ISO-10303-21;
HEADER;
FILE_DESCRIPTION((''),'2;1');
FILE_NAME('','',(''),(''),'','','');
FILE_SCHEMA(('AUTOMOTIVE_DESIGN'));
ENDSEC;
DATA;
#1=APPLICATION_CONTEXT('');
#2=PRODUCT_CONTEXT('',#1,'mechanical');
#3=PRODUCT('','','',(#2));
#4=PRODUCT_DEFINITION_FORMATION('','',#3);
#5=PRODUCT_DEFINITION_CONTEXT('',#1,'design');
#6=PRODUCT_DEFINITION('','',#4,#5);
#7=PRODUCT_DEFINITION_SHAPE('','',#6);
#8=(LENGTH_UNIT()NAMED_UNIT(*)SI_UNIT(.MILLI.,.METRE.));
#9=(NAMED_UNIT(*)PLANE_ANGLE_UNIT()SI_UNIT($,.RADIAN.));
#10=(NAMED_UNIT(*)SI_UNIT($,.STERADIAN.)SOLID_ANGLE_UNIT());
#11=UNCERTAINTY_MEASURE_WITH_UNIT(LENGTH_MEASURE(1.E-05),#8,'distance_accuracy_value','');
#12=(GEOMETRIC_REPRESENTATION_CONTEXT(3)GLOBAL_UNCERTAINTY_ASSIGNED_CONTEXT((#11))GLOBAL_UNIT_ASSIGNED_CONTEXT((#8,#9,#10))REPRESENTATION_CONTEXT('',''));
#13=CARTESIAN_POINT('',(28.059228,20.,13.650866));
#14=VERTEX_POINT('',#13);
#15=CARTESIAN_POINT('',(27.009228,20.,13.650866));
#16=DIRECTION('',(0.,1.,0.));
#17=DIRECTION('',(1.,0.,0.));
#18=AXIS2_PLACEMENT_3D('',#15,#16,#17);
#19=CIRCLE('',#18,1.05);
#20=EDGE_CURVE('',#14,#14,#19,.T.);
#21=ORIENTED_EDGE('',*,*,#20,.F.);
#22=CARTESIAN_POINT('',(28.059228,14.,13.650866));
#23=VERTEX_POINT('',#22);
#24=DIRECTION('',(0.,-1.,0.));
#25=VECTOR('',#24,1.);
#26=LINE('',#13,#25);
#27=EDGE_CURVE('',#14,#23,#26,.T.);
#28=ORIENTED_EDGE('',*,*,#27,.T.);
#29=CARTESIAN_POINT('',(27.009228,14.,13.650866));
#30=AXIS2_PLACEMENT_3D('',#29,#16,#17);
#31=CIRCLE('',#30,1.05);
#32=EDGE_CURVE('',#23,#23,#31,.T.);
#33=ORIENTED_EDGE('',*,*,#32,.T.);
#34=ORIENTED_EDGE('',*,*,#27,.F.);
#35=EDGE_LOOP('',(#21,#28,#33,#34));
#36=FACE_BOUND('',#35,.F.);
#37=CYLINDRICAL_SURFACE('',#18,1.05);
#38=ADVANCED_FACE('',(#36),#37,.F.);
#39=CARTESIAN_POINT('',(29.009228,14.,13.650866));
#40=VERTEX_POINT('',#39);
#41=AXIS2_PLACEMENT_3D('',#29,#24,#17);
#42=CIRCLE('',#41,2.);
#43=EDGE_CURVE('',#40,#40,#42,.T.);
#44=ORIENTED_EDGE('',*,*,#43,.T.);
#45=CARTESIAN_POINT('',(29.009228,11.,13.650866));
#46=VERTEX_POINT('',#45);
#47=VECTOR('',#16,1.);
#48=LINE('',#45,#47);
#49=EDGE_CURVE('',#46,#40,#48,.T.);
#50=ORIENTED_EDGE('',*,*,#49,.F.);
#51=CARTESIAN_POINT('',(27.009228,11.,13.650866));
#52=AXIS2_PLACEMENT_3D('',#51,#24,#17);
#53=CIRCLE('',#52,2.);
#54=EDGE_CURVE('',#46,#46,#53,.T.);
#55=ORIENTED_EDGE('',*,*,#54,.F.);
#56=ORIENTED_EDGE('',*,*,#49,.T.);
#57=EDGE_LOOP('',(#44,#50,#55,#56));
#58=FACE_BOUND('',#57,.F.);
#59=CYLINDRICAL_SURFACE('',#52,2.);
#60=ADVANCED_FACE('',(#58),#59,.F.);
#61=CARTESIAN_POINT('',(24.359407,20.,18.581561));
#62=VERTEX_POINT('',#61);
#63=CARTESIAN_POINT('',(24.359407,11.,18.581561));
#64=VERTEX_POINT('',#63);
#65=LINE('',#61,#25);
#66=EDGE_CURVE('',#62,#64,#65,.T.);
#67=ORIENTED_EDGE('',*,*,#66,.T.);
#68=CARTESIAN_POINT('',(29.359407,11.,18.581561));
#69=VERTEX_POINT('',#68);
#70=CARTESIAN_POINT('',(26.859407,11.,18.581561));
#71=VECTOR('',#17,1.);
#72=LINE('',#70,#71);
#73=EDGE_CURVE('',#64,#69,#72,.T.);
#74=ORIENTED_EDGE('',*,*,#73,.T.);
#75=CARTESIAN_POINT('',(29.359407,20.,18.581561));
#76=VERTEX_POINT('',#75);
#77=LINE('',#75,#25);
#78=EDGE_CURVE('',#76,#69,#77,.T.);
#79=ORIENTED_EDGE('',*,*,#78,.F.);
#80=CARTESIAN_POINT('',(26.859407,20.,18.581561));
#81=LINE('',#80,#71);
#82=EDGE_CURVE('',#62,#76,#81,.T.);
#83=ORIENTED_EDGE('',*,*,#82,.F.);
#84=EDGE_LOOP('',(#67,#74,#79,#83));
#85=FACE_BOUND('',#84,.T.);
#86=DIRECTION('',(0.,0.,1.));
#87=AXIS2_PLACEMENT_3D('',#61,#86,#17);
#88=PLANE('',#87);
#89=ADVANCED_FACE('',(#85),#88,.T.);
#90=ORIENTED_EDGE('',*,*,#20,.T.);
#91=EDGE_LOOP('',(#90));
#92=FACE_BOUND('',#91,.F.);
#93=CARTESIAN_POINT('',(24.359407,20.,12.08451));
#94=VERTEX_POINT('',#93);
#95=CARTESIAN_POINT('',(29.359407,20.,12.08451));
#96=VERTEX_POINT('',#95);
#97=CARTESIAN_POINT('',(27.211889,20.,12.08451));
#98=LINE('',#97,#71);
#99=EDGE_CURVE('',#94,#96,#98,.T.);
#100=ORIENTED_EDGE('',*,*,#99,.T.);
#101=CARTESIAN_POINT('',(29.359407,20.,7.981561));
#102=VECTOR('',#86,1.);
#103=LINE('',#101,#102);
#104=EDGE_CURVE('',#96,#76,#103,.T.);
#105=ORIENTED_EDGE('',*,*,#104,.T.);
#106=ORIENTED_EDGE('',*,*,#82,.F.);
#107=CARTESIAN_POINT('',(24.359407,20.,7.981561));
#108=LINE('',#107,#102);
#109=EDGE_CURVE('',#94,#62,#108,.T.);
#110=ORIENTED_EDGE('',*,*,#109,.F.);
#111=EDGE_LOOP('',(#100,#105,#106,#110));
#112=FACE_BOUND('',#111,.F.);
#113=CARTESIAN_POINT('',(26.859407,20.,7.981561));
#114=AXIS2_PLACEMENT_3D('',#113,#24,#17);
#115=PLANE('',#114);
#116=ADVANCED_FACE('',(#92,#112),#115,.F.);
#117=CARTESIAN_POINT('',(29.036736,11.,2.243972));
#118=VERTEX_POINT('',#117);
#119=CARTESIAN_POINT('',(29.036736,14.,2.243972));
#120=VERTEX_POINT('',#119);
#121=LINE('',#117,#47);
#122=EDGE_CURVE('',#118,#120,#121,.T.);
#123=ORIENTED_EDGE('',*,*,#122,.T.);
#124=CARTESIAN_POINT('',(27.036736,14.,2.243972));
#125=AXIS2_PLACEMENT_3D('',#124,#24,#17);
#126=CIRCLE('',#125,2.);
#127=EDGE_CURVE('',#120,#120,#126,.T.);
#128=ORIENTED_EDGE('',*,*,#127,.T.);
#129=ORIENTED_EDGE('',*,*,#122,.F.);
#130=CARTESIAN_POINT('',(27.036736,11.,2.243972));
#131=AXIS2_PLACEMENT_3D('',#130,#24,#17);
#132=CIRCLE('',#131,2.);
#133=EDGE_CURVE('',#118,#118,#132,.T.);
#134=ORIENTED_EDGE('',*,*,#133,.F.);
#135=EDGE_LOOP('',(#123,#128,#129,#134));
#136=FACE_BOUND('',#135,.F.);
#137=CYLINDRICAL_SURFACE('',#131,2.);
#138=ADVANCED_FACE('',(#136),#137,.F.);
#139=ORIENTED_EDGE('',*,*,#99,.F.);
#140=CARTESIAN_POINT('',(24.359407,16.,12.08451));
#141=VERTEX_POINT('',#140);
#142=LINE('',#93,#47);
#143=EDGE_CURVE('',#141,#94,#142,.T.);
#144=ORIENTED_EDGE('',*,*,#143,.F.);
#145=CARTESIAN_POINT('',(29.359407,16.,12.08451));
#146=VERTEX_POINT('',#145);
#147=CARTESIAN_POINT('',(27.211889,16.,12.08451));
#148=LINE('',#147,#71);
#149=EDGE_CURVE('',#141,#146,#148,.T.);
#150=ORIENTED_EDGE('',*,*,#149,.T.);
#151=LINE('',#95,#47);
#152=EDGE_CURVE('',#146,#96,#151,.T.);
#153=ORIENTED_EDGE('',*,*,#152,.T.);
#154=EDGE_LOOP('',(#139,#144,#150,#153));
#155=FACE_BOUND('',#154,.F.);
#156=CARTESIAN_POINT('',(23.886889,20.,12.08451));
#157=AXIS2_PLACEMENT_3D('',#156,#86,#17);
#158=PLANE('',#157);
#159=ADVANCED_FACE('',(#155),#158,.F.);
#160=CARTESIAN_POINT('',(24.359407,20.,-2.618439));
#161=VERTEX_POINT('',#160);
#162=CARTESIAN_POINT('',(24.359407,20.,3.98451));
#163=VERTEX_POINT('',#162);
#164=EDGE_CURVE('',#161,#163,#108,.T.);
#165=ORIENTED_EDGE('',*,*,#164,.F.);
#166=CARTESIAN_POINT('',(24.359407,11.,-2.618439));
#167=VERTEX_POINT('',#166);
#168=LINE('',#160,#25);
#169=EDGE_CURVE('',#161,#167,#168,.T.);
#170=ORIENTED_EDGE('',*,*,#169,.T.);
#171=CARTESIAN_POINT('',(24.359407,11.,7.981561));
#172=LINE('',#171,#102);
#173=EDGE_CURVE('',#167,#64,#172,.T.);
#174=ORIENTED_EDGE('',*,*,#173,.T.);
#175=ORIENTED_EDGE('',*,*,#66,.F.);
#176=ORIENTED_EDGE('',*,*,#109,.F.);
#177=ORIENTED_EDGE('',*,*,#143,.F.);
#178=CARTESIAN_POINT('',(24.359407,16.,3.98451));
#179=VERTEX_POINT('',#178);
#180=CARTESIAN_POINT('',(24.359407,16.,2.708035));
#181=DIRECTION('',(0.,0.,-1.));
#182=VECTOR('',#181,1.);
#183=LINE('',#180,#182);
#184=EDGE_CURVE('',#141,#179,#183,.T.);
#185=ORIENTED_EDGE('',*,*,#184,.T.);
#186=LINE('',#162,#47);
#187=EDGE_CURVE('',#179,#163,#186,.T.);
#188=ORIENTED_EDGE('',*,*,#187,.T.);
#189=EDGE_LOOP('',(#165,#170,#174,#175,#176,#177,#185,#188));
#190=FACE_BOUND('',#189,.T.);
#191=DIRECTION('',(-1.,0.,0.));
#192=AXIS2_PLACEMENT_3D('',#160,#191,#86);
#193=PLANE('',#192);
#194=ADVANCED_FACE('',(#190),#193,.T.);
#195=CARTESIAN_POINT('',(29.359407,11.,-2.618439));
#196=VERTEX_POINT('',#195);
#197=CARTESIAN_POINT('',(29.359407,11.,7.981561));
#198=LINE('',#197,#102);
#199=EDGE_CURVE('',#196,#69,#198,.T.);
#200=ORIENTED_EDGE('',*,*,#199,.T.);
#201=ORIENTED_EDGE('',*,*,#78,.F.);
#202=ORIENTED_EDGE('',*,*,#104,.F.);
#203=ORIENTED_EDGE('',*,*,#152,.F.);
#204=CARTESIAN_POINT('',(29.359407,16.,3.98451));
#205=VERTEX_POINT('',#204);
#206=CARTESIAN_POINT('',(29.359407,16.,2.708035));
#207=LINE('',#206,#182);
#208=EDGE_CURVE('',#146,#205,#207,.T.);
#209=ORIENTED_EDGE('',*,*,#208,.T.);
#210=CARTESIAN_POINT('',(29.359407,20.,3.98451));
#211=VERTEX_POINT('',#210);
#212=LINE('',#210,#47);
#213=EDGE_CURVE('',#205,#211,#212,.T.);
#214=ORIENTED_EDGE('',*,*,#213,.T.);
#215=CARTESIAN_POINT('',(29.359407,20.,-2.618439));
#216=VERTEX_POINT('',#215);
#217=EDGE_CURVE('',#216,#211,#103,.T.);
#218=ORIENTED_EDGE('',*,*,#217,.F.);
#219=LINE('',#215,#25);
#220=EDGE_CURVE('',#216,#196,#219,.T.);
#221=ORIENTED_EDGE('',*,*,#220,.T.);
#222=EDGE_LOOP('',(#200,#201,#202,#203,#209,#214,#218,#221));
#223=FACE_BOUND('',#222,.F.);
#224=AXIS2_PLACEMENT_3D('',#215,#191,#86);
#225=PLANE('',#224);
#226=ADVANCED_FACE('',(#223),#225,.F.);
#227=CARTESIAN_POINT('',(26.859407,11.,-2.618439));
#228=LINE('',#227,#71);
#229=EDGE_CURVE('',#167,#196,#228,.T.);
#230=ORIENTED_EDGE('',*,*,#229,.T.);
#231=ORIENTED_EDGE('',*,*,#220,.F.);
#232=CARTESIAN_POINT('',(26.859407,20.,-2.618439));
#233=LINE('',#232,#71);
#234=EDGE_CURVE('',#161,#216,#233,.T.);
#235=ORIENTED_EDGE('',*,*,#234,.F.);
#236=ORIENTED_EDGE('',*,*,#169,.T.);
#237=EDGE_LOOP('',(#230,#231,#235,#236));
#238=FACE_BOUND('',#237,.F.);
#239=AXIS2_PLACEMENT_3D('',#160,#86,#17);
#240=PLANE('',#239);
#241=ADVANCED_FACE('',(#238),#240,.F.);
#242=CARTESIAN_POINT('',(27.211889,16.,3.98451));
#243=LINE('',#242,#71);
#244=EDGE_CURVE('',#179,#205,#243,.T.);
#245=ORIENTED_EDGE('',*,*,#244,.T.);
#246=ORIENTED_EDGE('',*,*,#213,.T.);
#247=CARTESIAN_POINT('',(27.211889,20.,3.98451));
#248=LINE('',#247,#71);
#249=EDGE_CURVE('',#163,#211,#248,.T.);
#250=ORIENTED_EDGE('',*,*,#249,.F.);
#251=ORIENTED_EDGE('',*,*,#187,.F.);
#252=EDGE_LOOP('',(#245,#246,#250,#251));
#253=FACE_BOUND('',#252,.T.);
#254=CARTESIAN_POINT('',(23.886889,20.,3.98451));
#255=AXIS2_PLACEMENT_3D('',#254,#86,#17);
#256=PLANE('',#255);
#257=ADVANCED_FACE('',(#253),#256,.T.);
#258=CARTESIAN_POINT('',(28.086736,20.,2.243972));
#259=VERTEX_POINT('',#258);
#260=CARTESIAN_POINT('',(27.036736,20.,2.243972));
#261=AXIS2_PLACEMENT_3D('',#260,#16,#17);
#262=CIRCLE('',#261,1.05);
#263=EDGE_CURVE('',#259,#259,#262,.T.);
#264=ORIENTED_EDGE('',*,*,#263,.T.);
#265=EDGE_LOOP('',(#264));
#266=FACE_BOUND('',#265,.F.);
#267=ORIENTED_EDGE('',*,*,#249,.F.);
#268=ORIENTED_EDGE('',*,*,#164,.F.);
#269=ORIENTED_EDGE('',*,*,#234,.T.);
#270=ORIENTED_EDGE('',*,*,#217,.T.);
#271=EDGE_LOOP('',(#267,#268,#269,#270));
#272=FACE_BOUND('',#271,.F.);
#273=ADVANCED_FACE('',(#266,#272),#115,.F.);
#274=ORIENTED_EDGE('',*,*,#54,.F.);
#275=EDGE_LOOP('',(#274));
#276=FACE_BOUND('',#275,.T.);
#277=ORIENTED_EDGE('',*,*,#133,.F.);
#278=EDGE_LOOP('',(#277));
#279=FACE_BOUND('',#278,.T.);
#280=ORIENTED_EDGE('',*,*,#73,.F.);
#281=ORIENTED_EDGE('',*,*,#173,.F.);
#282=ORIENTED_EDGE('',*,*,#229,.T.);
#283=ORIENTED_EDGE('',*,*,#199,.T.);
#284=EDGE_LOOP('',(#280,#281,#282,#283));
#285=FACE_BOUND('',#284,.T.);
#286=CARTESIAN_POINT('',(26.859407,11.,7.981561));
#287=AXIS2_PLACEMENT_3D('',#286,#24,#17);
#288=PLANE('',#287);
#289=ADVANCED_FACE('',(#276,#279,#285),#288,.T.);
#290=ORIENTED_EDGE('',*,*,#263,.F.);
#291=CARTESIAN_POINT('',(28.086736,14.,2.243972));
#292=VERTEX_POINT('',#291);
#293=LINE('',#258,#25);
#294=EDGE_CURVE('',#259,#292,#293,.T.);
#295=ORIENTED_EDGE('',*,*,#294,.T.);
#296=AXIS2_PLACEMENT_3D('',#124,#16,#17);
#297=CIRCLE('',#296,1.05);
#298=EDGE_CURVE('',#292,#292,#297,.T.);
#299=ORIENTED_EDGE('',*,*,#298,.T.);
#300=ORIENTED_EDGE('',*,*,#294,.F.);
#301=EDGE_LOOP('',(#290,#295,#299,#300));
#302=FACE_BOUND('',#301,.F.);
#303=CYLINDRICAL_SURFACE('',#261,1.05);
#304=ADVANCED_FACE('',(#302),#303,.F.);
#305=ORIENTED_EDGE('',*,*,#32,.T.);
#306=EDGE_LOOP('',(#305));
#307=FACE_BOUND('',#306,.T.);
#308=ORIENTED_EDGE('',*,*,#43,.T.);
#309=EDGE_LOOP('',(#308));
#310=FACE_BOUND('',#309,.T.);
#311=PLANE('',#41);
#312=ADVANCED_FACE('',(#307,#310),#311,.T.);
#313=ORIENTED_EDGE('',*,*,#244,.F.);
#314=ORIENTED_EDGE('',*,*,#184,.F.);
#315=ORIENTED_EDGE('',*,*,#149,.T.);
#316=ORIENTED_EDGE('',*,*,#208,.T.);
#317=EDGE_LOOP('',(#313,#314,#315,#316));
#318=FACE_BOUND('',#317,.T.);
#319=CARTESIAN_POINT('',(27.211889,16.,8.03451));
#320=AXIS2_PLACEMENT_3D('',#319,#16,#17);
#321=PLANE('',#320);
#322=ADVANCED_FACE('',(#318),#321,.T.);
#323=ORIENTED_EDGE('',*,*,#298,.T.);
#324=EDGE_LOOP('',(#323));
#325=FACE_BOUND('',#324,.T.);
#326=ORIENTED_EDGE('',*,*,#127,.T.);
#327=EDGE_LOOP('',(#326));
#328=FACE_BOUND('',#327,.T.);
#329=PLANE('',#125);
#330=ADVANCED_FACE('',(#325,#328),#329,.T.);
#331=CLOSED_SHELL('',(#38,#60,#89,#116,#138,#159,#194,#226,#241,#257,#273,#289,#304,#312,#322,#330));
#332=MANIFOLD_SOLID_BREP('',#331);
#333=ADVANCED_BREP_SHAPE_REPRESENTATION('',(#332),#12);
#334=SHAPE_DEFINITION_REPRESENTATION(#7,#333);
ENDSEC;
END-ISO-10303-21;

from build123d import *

# Parameters (mm, degrees)
SKETCH020_W     = 5
SKETCH020_H     = 21.2
PAD010_DEPTH    = 9
SKETCH023_W     = 6.65
SKETCH023_H     = 8.1
POCKET011_DEPTH = 4
SKETCH024_R     = 1.05
POCKET012_DEPTH = 10
SKETCH025_R     = 2
POCKET013_DEPTH = 3


with BuildPart() as part:
    # Sketch020 → Pad010 (new body)
    with BuildSketch(Plane.XZ):
        with Locations((26.859407, 7.981561)):
            Rectangle(SKETCH020_W, SKETCH020_H)
    extrude(amount=PAD010_DEPTH)

    # Sketch023 (on Face5 of Pad010) → Pocket011 (cut)
    with BuildSketch(Plane(origin=(0, 0, 0), x_dir=(1, 0, 0), z_dir=(0, 1, 0))):
        with Locations((27.211889, -8.03451)):
            Rectangle(SKETCH023_W, SKETCH023_H)
    extrude(amount=-POCKET011_DEPTH, mode=Mode.SUBTRACT)

    # Sketch024 (on Face2 of Pocket011) → Pocket012 (cut)
    with BuildSketch(Plane(origin=(0, 0, 0), x_dir=(1, 0, 0), z_dir=(0, 1, 0))):
        with Locations((27.009228, -13.650866)):
            Circle(SKETCH024_R)
        with Locations((27.036736, -2.243972)):
            Circle(SKETCH024_R)
    extrude(amount=-POCKET012_DEPTH, mode=Mode.SUBTRACT)

    # Sketch025 (on Face8 of Pocket012) → Pocket013 (cut)
    with BuildSketch(Plane.XZ.offset(9)):
        with Locations((27.009228, 13.650866)):
            Circle(SKETCH025_R)
        with Locations((27.036736, 2.243972)):
            Circle(SKETCH025_R)
    extrude(amount=-POCKET013_DEPTH, mode=Mode.SUBTRACT)


with BuildPart() as part_1:
    # Body005 placement: moved
    add(part.part.moved(Location((0, 20, 0))))


solid = part_1.part
